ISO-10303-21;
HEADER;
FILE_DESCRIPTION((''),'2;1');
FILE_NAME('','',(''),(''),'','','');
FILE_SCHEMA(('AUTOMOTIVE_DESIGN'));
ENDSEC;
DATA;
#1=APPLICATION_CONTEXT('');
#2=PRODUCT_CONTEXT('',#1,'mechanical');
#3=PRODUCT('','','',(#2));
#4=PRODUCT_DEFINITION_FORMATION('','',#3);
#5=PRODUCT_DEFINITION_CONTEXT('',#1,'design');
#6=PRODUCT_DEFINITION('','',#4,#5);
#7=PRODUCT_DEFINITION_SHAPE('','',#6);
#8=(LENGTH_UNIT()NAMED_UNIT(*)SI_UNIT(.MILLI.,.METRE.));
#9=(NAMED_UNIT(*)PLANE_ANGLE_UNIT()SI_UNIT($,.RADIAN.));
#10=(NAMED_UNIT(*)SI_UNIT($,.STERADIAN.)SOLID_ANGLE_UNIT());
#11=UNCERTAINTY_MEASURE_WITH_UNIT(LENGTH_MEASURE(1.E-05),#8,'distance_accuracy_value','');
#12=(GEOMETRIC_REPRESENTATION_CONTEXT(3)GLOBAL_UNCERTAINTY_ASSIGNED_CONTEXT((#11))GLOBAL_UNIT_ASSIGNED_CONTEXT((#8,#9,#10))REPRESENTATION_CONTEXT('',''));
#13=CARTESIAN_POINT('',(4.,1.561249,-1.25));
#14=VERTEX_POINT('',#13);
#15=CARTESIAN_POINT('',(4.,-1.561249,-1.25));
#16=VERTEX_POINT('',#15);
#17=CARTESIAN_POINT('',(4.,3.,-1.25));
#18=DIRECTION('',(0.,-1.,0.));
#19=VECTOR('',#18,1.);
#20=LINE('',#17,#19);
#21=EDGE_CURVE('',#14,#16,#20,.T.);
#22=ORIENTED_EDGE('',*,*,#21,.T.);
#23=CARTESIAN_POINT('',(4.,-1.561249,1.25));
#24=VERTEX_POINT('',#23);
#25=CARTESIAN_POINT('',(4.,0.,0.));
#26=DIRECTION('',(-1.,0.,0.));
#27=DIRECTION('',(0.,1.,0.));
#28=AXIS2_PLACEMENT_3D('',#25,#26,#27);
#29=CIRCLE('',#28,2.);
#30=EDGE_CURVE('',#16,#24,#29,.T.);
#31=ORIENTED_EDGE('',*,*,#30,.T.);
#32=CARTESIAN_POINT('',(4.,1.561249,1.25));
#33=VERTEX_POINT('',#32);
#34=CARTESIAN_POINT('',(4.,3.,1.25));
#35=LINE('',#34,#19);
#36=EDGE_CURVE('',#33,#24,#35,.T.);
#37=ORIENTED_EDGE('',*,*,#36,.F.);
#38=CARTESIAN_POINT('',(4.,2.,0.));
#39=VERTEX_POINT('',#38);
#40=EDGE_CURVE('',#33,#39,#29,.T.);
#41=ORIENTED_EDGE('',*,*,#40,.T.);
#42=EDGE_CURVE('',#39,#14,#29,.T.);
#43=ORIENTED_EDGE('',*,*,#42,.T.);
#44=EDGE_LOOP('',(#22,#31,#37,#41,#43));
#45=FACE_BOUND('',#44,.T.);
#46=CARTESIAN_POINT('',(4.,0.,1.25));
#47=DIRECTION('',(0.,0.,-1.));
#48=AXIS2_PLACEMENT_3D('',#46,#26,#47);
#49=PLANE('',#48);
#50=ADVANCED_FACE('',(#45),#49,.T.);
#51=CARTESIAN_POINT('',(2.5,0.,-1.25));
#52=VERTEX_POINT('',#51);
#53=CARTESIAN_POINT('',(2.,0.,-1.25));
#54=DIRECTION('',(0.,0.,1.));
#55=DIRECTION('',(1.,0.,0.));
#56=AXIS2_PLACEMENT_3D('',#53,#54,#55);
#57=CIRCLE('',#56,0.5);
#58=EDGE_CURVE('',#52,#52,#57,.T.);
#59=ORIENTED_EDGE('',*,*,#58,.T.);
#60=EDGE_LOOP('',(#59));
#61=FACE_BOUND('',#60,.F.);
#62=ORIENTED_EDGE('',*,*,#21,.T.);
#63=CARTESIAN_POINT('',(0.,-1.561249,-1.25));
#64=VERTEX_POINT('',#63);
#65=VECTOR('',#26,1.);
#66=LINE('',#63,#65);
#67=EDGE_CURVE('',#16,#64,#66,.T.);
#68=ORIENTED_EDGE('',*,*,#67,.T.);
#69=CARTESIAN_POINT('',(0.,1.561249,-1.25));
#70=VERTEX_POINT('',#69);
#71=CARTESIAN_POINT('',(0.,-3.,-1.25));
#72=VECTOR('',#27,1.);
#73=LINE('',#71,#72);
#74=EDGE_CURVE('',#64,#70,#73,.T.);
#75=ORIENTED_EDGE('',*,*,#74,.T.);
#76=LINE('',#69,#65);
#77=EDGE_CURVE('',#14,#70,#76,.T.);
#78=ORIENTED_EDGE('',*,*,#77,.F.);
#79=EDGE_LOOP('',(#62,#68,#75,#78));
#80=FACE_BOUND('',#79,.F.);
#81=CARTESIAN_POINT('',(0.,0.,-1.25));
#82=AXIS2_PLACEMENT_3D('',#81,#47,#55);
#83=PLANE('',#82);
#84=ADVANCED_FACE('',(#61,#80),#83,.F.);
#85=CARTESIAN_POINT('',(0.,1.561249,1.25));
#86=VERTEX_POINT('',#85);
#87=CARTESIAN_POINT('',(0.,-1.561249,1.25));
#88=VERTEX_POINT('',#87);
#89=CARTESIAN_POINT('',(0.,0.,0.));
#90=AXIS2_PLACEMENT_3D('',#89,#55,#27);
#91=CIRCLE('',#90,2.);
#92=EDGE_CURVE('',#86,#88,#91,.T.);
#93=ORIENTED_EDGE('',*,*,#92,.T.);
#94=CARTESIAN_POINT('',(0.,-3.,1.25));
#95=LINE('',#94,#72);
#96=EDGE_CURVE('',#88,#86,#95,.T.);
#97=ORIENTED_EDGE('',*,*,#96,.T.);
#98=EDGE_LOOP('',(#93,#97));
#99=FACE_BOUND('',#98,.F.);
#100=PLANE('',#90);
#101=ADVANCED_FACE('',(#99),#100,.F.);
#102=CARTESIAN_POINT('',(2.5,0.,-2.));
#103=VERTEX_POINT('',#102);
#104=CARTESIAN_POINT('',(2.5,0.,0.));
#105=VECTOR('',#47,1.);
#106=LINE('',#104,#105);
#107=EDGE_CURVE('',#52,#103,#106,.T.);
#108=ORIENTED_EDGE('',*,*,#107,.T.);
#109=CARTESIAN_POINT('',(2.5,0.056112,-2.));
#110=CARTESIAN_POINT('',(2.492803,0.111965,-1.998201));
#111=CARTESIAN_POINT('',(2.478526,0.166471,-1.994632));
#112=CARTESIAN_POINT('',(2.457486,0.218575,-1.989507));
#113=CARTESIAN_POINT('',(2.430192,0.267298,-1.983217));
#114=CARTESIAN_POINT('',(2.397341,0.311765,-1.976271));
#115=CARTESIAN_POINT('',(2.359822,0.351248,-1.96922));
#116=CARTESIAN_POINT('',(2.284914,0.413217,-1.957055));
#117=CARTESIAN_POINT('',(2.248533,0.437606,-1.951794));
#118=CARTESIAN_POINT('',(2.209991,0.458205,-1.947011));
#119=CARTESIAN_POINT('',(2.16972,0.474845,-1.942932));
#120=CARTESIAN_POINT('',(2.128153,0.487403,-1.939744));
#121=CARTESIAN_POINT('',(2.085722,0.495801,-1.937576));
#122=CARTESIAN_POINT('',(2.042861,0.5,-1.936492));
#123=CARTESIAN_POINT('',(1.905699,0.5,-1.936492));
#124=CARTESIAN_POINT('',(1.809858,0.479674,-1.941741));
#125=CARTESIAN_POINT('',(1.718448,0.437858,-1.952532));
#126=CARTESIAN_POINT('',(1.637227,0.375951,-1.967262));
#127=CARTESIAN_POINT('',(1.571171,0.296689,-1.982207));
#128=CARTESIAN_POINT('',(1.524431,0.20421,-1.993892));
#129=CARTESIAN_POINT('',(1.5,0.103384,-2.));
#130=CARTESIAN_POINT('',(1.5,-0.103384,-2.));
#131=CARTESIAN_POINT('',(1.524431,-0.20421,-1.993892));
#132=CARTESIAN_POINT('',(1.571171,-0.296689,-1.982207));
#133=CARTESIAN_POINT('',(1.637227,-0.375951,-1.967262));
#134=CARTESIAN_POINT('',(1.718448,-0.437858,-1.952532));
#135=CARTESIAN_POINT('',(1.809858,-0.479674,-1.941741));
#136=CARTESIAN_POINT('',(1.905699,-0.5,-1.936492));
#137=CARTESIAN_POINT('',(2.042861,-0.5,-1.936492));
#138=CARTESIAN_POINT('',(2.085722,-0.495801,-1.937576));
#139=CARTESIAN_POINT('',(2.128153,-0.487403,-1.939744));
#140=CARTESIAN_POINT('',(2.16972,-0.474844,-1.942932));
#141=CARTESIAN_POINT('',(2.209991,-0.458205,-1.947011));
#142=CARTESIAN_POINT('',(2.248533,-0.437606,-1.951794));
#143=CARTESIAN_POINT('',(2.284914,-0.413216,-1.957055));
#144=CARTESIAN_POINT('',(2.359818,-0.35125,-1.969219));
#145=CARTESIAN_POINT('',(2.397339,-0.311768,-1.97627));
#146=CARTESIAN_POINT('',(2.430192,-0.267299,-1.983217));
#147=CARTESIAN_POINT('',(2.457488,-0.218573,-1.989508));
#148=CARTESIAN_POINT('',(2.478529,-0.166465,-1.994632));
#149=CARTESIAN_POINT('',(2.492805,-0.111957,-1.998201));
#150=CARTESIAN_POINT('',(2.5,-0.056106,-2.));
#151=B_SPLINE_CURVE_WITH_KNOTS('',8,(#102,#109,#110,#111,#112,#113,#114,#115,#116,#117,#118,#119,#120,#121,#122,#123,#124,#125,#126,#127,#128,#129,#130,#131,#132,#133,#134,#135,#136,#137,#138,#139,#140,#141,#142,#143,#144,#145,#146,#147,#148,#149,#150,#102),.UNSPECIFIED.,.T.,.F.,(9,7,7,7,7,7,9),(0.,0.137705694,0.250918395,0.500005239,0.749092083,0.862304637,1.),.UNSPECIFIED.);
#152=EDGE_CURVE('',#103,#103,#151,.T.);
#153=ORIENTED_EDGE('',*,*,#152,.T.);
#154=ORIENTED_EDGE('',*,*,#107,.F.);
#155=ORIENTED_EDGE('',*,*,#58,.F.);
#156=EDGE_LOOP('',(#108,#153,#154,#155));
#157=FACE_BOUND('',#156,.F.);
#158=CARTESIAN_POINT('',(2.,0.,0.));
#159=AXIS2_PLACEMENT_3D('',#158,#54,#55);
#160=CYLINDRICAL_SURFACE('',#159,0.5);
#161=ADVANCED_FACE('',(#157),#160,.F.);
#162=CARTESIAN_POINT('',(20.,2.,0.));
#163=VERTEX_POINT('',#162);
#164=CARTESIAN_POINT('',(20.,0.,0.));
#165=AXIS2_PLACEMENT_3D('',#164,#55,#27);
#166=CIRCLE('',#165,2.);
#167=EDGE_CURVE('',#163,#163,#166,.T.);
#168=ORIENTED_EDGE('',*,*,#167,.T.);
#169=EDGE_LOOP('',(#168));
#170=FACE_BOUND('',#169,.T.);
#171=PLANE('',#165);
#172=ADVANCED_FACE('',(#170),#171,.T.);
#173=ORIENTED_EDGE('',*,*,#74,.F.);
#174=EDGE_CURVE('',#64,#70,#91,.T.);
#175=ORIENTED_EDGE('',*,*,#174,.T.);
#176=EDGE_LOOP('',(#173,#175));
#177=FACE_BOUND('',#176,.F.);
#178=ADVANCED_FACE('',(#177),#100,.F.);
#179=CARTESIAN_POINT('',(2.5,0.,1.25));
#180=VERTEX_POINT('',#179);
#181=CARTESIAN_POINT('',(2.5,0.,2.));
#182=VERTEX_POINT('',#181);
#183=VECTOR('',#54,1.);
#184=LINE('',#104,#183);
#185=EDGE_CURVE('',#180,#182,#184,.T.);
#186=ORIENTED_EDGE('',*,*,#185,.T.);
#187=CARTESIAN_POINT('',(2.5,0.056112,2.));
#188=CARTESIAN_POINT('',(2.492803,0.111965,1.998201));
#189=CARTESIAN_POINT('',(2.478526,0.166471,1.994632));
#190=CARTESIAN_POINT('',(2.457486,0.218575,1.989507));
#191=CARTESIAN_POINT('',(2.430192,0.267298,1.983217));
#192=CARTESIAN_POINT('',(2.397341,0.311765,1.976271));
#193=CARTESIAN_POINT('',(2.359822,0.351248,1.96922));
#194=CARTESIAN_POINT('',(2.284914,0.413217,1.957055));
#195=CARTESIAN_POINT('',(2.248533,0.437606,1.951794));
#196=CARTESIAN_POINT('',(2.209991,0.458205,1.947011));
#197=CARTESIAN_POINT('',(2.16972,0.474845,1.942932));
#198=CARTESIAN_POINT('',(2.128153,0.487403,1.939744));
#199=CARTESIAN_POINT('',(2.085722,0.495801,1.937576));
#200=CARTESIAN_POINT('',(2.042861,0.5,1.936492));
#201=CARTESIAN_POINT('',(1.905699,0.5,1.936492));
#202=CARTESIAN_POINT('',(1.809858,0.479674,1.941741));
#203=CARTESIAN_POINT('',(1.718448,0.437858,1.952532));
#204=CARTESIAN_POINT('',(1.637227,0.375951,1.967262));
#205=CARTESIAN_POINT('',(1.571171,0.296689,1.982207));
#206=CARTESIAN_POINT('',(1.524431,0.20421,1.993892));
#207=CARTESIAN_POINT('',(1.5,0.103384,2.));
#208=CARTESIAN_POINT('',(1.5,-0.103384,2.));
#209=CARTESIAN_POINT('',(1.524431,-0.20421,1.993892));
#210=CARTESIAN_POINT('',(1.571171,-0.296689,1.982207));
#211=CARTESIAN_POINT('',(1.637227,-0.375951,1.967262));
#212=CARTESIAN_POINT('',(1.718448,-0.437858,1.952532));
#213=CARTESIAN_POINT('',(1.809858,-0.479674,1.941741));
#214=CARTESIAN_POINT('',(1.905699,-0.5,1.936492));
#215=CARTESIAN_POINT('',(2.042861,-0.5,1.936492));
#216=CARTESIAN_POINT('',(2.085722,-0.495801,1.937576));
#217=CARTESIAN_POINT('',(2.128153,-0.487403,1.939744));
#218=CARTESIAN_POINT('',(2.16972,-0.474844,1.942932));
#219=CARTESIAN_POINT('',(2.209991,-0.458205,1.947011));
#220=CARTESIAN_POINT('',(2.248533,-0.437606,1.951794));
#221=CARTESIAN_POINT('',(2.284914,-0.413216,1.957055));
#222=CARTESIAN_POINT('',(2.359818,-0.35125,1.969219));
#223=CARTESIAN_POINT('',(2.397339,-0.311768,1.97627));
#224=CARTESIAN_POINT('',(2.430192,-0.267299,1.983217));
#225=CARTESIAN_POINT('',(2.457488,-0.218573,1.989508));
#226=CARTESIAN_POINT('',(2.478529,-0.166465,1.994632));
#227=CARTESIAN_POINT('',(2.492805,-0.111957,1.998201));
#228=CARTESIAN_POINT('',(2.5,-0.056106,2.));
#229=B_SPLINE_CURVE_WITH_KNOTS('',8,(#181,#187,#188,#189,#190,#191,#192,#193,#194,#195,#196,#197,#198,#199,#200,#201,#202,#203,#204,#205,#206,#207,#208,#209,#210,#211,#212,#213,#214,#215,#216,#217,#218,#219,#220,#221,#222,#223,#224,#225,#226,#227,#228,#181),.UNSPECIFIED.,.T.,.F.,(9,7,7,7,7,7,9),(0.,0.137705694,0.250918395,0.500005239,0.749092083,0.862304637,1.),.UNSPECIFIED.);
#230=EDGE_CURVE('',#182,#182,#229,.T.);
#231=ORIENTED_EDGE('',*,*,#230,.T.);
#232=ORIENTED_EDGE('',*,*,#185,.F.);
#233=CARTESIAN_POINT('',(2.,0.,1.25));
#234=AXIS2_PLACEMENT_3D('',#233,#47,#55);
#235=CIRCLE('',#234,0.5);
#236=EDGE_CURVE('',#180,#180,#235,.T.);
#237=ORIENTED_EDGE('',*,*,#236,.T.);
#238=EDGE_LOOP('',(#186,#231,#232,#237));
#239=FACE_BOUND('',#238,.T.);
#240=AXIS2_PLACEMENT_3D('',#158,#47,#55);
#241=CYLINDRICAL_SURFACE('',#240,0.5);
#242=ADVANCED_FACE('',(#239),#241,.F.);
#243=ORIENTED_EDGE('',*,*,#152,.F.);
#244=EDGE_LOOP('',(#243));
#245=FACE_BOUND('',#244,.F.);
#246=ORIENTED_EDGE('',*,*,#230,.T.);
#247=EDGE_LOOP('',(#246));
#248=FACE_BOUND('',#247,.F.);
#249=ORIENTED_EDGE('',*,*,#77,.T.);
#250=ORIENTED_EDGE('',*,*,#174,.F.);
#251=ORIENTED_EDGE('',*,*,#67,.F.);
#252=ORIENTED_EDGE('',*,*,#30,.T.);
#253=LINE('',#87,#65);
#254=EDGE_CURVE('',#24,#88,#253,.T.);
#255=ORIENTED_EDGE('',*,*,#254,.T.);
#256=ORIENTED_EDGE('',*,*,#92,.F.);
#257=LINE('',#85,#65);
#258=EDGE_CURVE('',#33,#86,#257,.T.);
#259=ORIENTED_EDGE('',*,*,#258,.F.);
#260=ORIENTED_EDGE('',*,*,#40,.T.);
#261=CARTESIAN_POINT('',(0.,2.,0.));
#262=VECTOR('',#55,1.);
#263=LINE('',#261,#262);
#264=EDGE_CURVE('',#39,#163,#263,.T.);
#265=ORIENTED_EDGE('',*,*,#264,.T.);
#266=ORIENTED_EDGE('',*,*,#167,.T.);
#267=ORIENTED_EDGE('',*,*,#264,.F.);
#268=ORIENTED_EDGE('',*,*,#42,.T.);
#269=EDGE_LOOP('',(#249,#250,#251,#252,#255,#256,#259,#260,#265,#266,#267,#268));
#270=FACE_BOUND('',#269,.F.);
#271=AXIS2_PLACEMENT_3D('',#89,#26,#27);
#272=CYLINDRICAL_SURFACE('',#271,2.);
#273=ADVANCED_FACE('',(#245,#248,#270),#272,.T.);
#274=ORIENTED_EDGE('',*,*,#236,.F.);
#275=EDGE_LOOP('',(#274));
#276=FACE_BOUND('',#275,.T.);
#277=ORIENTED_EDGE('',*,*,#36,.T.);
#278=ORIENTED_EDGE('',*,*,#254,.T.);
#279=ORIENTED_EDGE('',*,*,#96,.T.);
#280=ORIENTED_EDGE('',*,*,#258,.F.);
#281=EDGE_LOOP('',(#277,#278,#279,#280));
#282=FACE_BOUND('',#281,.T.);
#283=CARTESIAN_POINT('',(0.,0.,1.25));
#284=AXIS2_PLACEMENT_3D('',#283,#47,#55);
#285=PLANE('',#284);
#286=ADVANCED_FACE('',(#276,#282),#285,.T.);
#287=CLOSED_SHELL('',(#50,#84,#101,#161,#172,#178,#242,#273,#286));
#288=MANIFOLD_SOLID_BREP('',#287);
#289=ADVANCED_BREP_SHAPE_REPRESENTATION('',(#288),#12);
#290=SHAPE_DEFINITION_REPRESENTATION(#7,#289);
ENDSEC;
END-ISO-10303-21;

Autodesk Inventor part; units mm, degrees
ref_plane "YZ Plane" through (0, 0, 0) normal (1, 0, 0) x (0, 1, 0)
ref_plane "XZ Plane" through (0, 0, 0) normal (0, 1, 0) x (-1, 0, 0)
ref_plane "XY Plane" through (0, 0, 0) normal (0, 0, 1) x (1, 0, 0)
sketch "草图1" plane through (0, 0, 0) normal (1, 0, 0) x (0, 1, 0)
  circle A0 centre (0, 0) radius 2
  dimension "孔径" = 4
extrude "拉伸1" add sketch "草图1" along normal blind 20
sketch "草图2" plane through (0, 0, 0) normal (0, 1, 0) x (-1, 0, 0)
  line L0 (-20, 2) -> (-20, -2) projected
  line L1 (0, -2) -> (0, 2) projected
  line L2 (0, 2) -> (-20, 2) projected
  line L3 (-4, 2) -> (-4, -2)
  line L4 (0, 0) -> (-4, 0) construction
  line L5 (0, 1.25) -> (-4, 1.25)
  line L6 (0, -1.25) -> (-4, -1.25)
  dimension "d4" = 4
  dimension "距离" = 2.5
extrude "拉伸2" cut sketch "草图2" along normal through all both and the other way through all contours L6 L3 L5 L1
sketch "草图3" plane through (0, 0, 0) normal (0, 0, 1) x (1, 0, 0)
  line L0 (4, -1.5612) -> (0, -1.5612) projected
  line L1 (4, -1.5612) -> (4, 1.5612) projected
  line L2 (0, 1.5612) -> (4, 1.5612) projected
  line L3 (0, -1.5612) -> (0, 1.5612) projected
  circle A0 centre (2, 0) radius 0.5
  point P0 (0, 0)
  dimension "销孔径" = 1
extrude "拉伸3" cut sketch "草图3" along normal through all both and the other way through all contours A0
properties part number "曲柄杆" material "木材(桦木)"
